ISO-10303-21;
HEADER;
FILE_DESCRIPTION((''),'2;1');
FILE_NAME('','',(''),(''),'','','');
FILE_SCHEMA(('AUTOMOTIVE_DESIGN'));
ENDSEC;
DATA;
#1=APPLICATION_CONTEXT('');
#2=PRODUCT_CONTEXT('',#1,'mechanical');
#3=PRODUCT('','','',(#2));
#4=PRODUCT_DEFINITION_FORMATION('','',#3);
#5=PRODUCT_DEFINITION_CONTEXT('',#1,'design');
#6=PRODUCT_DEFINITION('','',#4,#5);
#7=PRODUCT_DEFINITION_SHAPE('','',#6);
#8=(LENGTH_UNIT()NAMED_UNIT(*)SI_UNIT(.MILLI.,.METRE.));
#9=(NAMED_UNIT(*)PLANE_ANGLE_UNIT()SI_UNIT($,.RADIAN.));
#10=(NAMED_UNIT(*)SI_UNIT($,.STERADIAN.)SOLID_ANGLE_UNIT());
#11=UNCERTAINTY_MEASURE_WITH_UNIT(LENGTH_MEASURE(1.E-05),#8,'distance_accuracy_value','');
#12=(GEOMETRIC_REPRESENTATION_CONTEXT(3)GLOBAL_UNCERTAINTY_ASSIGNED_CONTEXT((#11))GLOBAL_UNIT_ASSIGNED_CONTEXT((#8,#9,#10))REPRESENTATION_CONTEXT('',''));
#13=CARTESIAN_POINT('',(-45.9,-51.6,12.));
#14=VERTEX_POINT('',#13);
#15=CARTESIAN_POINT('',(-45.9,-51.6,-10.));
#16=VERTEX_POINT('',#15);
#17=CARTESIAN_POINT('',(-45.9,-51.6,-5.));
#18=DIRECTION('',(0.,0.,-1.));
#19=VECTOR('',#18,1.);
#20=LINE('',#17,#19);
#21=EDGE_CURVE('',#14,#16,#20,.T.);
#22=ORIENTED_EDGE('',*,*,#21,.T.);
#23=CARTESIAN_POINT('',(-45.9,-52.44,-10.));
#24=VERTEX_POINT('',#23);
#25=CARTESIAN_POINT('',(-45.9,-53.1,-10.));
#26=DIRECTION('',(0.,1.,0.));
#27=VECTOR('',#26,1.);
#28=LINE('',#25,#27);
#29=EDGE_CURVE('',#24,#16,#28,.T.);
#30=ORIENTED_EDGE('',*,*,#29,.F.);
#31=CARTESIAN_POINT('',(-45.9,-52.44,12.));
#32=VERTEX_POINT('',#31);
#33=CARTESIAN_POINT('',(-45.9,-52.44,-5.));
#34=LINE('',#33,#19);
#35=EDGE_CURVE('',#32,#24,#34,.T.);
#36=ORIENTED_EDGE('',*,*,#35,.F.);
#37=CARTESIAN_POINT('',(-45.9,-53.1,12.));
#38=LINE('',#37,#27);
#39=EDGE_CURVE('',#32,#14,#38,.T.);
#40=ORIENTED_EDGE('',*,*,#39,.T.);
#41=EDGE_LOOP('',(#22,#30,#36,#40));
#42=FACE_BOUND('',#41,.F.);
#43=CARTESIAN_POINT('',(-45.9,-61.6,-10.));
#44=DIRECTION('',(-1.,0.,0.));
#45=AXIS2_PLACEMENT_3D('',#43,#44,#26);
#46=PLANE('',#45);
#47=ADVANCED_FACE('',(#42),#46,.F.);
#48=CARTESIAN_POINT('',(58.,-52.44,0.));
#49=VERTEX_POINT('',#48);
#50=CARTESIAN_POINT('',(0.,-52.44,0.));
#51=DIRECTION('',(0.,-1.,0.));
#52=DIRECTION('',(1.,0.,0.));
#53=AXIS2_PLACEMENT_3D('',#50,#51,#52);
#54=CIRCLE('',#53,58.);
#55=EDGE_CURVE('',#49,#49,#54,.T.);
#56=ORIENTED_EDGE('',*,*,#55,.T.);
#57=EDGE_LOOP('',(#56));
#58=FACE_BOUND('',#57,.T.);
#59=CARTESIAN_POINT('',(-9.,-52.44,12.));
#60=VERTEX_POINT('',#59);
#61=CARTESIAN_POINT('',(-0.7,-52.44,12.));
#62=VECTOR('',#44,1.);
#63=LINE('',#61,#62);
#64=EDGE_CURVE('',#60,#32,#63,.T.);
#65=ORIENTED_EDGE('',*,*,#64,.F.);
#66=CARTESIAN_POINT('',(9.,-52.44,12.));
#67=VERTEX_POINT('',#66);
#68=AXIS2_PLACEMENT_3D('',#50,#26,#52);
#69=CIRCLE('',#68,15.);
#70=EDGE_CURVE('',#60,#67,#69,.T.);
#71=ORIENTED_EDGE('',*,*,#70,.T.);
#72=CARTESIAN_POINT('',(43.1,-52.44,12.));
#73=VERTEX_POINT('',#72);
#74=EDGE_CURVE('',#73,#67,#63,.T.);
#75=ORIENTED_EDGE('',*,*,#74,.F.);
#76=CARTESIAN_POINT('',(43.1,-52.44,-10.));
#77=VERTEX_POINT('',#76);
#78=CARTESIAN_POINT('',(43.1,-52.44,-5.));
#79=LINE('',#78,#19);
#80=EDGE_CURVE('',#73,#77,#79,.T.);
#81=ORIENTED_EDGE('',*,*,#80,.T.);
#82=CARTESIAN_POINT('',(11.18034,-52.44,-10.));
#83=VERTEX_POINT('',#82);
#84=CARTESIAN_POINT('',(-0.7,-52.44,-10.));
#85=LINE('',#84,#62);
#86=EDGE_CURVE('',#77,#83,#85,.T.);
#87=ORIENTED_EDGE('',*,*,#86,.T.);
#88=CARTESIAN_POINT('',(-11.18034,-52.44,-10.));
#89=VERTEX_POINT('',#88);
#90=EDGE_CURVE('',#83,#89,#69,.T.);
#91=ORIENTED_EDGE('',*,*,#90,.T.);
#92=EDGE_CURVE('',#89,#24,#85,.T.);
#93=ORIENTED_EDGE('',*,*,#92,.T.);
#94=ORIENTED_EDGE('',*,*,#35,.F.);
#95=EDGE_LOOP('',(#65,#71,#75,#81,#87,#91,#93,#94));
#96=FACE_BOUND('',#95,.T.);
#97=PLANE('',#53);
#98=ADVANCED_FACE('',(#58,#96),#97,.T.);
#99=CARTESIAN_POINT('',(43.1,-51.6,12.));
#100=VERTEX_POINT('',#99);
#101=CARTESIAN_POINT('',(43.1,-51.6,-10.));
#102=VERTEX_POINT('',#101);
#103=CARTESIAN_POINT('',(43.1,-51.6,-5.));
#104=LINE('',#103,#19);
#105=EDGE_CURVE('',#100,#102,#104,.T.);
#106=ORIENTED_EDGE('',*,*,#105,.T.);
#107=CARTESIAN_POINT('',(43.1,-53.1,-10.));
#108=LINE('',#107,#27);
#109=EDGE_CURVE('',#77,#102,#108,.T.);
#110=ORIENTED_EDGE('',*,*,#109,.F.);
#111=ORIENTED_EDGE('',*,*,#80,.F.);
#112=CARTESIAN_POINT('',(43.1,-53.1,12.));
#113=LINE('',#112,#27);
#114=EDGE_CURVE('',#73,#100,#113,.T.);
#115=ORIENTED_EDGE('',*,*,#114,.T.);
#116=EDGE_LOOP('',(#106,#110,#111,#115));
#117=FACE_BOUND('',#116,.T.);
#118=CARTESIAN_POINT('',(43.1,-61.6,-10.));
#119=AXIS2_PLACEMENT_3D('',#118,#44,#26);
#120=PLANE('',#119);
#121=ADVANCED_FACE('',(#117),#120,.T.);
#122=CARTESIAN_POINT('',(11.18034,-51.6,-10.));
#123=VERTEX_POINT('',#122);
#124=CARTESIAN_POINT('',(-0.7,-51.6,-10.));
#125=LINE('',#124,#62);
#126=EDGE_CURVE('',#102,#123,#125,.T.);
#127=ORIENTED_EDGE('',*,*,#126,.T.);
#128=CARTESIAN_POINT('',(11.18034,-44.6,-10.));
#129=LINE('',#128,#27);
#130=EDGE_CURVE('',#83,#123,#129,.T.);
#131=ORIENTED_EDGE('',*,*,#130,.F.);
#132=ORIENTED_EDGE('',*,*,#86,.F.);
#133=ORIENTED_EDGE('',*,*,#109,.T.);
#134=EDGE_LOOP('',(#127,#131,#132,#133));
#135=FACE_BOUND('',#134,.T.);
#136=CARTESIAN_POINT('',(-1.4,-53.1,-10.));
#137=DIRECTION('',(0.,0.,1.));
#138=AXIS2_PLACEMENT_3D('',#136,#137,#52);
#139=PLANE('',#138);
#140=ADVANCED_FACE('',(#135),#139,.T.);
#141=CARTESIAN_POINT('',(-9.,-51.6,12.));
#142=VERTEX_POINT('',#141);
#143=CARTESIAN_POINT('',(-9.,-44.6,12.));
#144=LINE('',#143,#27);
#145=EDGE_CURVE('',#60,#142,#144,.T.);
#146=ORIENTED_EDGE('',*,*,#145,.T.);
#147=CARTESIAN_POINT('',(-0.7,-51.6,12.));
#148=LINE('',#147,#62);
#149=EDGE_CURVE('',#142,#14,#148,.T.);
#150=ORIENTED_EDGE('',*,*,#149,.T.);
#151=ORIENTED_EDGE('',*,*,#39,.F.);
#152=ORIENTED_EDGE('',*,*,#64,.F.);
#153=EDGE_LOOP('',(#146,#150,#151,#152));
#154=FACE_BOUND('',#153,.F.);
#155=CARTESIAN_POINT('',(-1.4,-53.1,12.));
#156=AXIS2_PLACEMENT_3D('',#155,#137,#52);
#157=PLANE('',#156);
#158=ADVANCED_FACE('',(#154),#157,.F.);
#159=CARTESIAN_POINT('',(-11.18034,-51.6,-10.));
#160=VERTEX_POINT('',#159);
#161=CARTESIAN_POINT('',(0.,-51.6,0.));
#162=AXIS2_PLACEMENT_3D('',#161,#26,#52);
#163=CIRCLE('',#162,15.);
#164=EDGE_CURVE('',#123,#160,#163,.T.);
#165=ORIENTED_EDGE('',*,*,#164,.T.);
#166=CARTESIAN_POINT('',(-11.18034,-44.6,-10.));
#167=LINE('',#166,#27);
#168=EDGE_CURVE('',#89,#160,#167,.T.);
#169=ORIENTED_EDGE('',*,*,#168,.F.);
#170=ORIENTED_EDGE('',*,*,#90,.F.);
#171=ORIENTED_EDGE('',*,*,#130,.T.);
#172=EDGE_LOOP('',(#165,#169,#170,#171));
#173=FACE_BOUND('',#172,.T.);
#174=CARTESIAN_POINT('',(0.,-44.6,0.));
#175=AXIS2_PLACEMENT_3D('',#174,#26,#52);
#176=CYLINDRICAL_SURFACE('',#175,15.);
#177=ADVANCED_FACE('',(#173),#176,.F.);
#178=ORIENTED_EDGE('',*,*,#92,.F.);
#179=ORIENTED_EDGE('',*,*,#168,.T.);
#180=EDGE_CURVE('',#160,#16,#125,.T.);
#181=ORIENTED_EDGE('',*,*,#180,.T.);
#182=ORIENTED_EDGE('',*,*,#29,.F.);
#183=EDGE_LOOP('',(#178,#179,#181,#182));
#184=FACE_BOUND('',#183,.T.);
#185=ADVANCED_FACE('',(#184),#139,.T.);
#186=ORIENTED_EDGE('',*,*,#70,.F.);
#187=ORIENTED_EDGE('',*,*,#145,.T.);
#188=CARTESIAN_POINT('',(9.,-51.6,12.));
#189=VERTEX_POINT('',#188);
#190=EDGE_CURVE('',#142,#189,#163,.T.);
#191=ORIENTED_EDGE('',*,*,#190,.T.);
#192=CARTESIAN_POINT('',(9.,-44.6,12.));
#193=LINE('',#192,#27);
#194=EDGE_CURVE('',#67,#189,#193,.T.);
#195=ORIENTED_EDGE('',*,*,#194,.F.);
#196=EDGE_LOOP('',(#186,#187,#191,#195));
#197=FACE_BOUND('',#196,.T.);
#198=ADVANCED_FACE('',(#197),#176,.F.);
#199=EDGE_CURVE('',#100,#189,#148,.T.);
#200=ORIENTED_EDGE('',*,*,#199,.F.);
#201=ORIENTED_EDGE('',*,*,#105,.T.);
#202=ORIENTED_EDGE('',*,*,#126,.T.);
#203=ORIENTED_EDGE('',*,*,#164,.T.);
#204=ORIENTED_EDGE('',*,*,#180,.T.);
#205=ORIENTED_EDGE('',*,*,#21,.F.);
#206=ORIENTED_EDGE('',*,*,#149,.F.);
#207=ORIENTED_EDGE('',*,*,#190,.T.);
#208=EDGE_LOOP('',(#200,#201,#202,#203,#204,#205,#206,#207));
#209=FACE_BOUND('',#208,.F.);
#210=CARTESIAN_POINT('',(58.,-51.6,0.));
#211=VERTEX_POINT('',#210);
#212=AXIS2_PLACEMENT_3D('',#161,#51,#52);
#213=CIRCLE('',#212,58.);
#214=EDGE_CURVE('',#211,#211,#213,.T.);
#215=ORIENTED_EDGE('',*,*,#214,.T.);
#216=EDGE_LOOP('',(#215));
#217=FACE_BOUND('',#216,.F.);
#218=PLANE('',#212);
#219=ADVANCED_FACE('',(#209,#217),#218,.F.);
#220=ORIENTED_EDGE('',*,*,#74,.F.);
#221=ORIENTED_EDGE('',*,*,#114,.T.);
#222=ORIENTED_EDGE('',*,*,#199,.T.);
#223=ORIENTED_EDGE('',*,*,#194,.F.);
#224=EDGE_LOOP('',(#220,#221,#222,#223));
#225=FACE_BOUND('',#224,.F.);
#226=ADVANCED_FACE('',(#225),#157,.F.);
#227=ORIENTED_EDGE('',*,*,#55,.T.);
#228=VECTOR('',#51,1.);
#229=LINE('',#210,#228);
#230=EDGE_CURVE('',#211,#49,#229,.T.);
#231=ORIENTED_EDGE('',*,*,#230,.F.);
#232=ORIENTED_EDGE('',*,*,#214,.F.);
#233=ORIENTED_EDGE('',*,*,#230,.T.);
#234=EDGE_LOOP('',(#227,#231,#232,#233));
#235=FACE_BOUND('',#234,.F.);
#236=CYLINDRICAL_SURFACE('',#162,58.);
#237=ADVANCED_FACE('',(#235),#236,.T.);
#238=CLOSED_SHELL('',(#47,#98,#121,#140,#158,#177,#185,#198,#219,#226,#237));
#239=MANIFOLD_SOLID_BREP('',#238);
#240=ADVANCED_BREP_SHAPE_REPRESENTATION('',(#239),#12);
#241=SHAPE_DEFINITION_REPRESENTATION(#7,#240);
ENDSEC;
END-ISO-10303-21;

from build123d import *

# Parameters (mm, degrees)
CYLINDER005_R     = 15
CYLINDER005_DEPTH = 17.84
BOX_W             = 89
BOX_H             = 17
BOX_DEPTH         = 22
CYLINDER004_R     = 58
CYLINDER004_DEPTH = 0.84


with BuildPart() as cylinder005:
    # Cylinder005 → Cylinder005 (new body)
    with BuildSketch(Plane.XZ.offset(42.6)):
        Circle(CYLINDER005_R)
    extrude(amount=CYLINDER005_DEPTH)


with BuildPart() as cube:
    # Box → Box (new body)
    with BuildSketch(Plane(origin=(-45.9, -59.6, -10), x_dir=(1, 0, 0), z_dir=(0, 0, 1))):
        with Locations((44.5, 8.5)):
            Rectangle(BOX_W, BOX_H)
    extrude(amount=BOX_DEPTH)


with BuildPart() as base:
    # Cylinder004 → Cylinder004 (new body)
    with BuildSketch(Plane.XZ.offset(49.6)):
        Circle(CYLINDER004_R)
    extrude(amount=CYLINDER004_DEPTH)

    # Cut002: cut Cube
    add(cube.part, mode=Mode.SUBTRACT)

    # Cut003: cut Cylinder005
    add(cylinder005.part, mode=Mode.SUBTRACT)


with BuildPart() as base_1:
    # Cut003 placement: moved
    add(base.part.moved(Location((0, -2, 0))))


solid = base_1.part
